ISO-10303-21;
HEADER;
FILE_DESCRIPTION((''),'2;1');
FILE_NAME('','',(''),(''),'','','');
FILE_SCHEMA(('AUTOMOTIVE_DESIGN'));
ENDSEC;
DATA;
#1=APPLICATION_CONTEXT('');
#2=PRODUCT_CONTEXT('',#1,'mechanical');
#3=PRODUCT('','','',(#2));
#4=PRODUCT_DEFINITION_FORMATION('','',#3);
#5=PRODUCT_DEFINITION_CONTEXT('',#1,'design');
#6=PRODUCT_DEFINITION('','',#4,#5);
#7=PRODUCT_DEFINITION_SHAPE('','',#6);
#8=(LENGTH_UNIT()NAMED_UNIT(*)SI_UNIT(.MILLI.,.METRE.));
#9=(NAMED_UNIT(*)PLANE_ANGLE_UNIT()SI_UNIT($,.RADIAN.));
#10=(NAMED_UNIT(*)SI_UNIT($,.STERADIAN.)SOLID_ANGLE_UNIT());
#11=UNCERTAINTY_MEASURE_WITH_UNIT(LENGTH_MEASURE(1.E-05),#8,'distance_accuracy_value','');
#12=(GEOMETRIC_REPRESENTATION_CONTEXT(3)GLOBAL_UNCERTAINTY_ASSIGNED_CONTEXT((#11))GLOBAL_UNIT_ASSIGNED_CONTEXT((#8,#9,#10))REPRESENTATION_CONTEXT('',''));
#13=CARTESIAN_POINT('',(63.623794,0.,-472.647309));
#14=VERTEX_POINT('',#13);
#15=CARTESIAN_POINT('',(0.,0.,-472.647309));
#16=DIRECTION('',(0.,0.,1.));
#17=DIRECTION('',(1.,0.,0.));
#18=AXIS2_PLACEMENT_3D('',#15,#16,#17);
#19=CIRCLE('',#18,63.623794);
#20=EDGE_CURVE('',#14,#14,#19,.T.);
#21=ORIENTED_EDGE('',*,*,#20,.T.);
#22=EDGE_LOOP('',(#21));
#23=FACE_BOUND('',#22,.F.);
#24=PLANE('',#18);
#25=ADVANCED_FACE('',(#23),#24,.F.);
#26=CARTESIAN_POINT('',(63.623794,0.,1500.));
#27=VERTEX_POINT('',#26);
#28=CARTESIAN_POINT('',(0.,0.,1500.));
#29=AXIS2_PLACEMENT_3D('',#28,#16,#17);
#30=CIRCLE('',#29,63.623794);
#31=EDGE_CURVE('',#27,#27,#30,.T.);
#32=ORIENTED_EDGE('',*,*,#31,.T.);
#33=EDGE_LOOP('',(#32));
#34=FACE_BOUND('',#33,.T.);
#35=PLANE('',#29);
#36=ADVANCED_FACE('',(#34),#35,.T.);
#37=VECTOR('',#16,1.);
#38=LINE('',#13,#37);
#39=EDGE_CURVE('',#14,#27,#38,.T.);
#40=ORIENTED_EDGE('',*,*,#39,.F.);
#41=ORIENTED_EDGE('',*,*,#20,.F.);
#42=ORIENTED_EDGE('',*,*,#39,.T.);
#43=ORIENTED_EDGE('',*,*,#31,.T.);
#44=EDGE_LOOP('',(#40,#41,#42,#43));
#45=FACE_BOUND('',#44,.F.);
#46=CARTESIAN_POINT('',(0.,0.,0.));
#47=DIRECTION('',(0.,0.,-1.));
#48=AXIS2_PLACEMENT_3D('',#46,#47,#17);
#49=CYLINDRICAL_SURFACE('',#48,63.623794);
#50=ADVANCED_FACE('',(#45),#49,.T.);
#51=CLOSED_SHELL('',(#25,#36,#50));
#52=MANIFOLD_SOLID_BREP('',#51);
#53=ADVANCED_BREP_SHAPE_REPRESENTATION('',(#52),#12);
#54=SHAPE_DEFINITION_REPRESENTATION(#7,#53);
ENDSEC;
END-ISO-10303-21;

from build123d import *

# Parameters (mm, degrees)
F0_R     = 63.623794
F1_DEPTH = 1500
F2_R     = 63.623794
F3_DEPTH = 1972.647309


with BuildPart() as f1:
    # F0 (on Top) → F1 (new body)
    with BuildSketch(Plane.XY):
        Circle(F0_R)
    extrude(amount=F1_DEPTH)

    # F2 (on face) → F3 (join)
    with BuildSketch(Plane.XY.offset(1500)):
        Circle(F2_R)
    extrude(amount=-F3_DEPTH)


solid = f1.part
